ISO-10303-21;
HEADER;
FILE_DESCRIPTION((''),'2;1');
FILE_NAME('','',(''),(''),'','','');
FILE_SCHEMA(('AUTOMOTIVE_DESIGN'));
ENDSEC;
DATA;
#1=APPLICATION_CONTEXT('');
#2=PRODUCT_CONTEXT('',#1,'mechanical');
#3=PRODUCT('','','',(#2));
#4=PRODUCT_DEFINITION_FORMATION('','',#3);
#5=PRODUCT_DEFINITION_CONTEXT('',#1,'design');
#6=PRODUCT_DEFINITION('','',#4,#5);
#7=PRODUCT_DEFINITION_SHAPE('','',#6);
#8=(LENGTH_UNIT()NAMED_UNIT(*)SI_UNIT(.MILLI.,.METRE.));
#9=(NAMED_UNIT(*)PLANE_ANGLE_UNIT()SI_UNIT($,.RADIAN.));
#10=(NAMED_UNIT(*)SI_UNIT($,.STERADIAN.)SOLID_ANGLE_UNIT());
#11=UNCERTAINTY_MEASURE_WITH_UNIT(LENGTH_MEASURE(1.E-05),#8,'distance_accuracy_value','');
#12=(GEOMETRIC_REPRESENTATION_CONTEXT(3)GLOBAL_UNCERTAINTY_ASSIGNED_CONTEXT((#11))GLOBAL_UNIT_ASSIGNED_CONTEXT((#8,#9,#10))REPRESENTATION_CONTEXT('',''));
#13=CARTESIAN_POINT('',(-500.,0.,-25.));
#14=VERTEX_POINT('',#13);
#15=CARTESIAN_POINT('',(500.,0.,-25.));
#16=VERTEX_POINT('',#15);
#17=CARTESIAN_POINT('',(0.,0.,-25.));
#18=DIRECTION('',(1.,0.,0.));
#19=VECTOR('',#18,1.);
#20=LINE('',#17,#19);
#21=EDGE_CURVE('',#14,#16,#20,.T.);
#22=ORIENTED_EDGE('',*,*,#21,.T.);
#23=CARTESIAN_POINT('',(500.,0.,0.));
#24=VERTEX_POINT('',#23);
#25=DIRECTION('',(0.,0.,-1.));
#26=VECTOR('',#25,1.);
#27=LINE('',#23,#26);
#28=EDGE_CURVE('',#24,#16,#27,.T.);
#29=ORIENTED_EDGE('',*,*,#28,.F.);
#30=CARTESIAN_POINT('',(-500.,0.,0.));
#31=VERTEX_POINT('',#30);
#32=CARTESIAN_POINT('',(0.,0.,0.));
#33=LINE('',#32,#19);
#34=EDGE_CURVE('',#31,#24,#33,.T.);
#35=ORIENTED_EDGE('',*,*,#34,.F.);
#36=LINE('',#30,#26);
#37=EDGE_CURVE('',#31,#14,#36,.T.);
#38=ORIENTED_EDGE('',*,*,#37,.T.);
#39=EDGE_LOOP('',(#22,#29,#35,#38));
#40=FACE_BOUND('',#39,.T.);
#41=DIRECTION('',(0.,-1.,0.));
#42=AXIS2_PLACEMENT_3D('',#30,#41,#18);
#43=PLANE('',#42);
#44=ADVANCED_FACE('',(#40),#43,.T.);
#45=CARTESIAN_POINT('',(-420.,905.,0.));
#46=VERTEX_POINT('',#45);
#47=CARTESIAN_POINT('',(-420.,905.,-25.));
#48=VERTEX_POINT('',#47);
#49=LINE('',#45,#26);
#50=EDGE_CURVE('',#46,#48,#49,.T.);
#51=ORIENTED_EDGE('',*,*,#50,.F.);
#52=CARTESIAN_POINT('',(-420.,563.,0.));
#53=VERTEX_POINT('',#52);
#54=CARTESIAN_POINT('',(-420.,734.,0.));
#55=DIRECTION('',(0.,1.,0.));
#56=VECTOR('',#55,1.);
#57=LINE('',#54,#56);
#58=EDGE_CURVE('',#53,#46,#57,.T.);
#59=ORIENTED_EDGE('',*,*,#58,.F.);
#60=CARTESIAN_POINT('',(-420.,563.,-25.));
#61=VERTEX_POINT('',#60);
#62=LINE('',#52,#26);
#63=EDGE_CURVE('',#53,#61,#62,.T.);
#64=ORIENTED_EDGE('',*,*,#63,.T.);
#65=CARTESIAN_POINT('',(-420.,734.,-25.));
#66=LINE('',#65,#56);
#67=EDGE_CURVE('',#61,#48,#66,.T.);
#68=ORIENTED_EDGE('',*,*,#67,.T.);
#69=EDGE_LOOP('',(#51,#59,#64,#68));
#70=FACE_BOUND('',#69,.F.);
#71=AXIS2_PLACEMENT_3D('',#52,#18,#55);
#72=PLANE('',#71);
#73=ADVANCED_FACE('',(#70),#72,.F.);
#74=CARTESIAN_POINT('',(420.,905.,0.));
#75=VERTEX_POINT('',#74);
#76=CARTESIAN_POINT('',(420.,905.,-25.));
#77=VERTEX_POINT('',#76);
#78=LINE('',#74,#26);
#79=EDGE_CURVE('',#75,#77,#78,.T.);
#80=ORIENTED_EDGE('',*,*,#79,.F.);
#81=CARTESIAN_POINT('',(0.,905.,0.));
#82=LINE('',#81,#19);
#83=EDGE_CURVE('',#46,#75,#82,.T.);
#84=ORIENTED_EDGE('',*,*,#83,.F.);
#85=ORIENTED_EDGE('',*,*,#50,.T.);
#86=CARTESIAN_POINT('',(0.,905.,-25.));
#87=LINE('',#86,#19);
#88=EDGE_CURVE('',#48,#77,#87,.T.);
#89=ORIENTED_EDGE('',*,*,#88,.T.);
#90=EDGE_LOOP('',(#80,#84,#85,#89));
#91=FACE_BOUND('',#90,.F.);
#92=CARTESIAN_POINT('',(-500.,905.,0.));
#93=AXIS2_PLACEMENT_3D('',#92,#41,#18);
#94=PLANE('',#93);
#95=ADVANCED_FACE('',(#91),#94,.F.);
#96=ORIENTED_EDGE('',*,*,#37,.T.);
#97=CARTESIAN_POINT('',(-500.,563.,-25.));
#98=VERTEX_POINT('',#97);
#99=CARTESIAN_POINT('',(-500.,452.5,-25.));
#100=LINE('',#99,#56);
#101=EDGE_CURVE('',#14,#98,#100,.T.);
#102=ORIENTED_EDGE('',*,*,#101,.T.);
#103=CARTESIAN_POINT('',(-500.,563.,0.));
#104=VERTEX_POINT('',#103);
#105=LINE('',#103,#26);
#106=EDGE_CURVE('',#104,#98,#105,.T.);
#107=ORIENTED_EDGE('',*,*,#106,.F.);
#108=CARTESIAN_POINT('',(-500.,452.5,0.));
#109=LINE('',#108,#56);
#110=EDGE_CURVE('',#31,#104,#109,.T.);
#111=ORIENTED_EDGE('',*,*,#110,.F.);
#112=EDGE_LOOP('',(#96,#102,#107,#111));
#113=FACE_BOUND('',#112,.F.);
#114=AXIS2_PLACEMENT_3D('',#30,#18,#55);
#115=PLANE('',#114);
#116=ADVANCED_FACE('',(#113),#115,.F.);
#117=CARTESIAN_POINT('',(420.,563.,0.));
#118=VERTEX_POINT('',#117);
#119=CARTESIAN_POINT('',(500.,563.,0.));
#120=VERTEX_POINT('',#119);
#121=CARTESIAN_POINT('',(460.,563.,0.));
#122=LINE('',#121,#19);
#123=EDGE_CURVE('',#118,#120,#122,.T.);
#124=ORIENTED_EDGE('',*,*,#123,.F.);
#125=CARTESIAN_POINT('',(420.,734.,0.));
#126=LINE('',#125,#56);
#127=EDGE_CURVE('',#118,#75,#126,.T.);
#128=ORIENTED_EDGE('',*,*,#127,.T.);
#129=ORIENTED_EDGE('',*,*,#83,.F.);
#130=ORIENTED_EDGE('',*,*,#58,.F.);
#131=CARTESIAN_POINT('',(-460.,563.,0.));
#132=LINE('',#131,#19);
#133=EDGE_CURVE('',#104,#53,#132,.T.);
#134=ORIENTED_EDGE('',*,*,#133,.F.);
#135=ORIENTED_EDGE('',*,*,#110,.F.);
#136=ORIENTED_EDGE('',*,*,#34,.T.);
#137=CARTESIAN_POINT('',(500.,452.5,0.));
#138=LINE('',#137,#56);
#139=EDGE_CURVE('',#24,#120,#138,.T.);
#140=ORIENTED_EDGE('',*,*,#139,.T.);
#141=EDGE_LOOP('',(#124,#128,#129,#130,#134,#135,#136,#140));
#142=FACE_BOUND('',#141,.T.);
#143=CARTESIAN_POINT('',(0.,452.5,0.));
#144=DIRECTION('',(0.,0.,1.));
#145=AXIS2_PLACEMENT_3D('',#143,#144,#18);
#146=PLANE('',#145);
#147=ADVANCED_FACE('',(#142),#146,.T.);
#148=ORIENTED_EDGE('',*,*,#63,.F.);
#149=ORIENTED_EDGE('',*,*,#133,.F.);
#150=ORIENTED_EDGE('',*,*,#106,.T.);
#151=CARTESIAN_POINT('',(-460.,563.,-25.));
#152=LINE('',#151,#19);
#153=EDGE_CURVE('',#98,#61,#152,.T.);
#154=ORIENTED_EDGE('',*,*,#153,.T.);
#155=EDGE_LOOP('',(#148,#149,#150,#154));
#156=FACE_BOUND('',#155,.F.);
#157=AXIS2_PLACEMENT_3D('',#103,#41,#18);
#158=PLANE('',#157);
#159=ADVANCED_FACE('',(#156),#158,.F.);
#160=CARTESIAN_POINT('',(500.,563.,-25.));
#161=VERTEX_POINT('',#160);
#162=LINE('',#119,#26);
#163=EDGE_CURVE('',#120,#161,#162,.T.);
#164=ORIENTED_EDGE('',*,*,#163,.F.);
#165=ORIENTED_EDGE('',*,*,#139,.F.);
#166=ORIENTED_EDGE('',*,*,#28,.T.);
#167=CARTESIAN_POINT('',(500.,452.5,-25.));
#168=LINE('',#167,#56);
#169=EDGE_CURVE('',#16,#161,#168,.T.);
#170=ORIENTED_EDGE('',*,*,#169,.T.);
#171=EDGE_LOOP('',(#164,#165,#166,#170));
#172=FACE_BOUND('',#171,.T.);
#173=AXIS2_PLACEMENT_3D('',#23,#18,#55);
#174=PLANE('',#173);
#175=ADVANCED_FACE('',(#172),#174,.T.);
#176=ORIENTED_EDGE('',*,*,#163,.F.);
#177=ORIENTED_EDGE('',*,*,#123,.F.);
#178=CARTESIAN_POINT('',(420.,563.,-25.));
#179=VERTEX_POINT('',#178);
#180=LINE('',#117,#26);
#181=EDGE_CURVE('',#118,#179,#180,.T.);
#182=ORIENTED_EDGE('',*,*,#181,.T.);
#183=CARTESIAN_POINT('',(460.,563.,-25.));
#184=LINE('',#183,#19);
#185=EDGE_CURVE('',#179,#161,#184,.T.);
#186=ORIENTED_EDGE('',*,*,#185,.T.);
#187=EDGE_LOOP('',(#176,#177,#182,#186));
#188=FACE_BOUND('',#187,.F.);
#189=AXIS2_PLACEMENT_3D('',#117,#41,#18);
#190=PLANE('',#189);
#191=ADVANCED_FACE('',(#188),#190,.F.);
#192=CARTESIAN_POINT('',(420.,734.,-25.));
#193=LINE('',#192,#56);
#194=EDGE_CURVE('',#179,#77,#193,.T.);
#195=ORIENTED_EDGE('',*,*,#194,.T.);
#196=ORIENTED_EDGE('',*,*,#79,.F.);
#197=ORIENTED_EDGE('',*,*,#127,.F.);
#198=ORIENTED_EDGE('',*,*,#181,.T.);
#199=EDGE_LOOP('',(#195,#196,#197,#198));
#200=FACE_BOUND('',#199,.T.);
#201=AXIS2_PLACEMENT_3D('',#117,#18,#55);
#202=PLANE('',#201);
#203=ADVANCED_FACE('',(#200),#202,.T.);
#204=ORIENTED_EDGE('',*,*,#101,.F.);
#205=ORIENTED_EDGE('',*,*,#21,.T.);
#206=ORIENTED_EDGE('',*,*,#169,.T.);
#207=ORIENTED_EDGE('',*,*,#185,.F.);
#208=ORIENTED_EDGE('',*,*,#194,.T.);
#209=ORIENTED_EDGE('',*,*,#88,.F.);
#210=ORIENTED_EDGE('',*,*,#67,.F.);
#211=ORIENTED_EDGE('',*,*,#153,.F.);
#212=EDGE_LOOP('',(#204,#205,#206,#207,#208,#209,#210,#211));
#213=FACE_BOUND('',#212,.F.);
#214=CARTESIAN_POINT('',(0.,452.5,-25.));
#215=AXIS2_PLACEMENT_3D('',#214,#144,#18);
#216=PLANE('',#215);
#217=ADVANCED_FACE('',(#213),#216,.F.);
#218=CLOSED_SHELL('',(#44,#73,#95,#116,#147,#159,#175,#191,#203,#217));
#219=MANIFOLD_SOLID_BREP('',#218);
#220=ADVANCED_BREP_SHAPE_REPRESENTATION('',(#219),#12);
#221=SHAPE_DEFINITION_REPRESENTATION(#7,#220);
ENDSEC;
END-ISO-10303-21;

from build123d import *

# Parameters (mm, degrees)
F0_W     = 1000
F0_H     = 905
F1_DEPTH = 25
F2_W     = 80
F2_H     = 342
F3_DEPTH = 25


with BuildPart() as f1:
    # F0 (on Top) → F1 (new body)
    with BuildSketch(Plane.XY):
        with Locations((0, 452.5)):
            Rectangle(F0_W, F0_H)
    extrude(amount=-F1_DEPTH)

    # F2 (on face) → F3 (cut)
    with BuildSketch(Plane.XY):
        with Locations((-460, 734)):
            Rectangle(F2_W, F2_H)
        with Locations((460, 734)):
            Rectangle(F2_W, F2_H)
    extrude(amount=-F3_DEPTH, mode=Mode.SUBTRACT)


solid = f1.part
